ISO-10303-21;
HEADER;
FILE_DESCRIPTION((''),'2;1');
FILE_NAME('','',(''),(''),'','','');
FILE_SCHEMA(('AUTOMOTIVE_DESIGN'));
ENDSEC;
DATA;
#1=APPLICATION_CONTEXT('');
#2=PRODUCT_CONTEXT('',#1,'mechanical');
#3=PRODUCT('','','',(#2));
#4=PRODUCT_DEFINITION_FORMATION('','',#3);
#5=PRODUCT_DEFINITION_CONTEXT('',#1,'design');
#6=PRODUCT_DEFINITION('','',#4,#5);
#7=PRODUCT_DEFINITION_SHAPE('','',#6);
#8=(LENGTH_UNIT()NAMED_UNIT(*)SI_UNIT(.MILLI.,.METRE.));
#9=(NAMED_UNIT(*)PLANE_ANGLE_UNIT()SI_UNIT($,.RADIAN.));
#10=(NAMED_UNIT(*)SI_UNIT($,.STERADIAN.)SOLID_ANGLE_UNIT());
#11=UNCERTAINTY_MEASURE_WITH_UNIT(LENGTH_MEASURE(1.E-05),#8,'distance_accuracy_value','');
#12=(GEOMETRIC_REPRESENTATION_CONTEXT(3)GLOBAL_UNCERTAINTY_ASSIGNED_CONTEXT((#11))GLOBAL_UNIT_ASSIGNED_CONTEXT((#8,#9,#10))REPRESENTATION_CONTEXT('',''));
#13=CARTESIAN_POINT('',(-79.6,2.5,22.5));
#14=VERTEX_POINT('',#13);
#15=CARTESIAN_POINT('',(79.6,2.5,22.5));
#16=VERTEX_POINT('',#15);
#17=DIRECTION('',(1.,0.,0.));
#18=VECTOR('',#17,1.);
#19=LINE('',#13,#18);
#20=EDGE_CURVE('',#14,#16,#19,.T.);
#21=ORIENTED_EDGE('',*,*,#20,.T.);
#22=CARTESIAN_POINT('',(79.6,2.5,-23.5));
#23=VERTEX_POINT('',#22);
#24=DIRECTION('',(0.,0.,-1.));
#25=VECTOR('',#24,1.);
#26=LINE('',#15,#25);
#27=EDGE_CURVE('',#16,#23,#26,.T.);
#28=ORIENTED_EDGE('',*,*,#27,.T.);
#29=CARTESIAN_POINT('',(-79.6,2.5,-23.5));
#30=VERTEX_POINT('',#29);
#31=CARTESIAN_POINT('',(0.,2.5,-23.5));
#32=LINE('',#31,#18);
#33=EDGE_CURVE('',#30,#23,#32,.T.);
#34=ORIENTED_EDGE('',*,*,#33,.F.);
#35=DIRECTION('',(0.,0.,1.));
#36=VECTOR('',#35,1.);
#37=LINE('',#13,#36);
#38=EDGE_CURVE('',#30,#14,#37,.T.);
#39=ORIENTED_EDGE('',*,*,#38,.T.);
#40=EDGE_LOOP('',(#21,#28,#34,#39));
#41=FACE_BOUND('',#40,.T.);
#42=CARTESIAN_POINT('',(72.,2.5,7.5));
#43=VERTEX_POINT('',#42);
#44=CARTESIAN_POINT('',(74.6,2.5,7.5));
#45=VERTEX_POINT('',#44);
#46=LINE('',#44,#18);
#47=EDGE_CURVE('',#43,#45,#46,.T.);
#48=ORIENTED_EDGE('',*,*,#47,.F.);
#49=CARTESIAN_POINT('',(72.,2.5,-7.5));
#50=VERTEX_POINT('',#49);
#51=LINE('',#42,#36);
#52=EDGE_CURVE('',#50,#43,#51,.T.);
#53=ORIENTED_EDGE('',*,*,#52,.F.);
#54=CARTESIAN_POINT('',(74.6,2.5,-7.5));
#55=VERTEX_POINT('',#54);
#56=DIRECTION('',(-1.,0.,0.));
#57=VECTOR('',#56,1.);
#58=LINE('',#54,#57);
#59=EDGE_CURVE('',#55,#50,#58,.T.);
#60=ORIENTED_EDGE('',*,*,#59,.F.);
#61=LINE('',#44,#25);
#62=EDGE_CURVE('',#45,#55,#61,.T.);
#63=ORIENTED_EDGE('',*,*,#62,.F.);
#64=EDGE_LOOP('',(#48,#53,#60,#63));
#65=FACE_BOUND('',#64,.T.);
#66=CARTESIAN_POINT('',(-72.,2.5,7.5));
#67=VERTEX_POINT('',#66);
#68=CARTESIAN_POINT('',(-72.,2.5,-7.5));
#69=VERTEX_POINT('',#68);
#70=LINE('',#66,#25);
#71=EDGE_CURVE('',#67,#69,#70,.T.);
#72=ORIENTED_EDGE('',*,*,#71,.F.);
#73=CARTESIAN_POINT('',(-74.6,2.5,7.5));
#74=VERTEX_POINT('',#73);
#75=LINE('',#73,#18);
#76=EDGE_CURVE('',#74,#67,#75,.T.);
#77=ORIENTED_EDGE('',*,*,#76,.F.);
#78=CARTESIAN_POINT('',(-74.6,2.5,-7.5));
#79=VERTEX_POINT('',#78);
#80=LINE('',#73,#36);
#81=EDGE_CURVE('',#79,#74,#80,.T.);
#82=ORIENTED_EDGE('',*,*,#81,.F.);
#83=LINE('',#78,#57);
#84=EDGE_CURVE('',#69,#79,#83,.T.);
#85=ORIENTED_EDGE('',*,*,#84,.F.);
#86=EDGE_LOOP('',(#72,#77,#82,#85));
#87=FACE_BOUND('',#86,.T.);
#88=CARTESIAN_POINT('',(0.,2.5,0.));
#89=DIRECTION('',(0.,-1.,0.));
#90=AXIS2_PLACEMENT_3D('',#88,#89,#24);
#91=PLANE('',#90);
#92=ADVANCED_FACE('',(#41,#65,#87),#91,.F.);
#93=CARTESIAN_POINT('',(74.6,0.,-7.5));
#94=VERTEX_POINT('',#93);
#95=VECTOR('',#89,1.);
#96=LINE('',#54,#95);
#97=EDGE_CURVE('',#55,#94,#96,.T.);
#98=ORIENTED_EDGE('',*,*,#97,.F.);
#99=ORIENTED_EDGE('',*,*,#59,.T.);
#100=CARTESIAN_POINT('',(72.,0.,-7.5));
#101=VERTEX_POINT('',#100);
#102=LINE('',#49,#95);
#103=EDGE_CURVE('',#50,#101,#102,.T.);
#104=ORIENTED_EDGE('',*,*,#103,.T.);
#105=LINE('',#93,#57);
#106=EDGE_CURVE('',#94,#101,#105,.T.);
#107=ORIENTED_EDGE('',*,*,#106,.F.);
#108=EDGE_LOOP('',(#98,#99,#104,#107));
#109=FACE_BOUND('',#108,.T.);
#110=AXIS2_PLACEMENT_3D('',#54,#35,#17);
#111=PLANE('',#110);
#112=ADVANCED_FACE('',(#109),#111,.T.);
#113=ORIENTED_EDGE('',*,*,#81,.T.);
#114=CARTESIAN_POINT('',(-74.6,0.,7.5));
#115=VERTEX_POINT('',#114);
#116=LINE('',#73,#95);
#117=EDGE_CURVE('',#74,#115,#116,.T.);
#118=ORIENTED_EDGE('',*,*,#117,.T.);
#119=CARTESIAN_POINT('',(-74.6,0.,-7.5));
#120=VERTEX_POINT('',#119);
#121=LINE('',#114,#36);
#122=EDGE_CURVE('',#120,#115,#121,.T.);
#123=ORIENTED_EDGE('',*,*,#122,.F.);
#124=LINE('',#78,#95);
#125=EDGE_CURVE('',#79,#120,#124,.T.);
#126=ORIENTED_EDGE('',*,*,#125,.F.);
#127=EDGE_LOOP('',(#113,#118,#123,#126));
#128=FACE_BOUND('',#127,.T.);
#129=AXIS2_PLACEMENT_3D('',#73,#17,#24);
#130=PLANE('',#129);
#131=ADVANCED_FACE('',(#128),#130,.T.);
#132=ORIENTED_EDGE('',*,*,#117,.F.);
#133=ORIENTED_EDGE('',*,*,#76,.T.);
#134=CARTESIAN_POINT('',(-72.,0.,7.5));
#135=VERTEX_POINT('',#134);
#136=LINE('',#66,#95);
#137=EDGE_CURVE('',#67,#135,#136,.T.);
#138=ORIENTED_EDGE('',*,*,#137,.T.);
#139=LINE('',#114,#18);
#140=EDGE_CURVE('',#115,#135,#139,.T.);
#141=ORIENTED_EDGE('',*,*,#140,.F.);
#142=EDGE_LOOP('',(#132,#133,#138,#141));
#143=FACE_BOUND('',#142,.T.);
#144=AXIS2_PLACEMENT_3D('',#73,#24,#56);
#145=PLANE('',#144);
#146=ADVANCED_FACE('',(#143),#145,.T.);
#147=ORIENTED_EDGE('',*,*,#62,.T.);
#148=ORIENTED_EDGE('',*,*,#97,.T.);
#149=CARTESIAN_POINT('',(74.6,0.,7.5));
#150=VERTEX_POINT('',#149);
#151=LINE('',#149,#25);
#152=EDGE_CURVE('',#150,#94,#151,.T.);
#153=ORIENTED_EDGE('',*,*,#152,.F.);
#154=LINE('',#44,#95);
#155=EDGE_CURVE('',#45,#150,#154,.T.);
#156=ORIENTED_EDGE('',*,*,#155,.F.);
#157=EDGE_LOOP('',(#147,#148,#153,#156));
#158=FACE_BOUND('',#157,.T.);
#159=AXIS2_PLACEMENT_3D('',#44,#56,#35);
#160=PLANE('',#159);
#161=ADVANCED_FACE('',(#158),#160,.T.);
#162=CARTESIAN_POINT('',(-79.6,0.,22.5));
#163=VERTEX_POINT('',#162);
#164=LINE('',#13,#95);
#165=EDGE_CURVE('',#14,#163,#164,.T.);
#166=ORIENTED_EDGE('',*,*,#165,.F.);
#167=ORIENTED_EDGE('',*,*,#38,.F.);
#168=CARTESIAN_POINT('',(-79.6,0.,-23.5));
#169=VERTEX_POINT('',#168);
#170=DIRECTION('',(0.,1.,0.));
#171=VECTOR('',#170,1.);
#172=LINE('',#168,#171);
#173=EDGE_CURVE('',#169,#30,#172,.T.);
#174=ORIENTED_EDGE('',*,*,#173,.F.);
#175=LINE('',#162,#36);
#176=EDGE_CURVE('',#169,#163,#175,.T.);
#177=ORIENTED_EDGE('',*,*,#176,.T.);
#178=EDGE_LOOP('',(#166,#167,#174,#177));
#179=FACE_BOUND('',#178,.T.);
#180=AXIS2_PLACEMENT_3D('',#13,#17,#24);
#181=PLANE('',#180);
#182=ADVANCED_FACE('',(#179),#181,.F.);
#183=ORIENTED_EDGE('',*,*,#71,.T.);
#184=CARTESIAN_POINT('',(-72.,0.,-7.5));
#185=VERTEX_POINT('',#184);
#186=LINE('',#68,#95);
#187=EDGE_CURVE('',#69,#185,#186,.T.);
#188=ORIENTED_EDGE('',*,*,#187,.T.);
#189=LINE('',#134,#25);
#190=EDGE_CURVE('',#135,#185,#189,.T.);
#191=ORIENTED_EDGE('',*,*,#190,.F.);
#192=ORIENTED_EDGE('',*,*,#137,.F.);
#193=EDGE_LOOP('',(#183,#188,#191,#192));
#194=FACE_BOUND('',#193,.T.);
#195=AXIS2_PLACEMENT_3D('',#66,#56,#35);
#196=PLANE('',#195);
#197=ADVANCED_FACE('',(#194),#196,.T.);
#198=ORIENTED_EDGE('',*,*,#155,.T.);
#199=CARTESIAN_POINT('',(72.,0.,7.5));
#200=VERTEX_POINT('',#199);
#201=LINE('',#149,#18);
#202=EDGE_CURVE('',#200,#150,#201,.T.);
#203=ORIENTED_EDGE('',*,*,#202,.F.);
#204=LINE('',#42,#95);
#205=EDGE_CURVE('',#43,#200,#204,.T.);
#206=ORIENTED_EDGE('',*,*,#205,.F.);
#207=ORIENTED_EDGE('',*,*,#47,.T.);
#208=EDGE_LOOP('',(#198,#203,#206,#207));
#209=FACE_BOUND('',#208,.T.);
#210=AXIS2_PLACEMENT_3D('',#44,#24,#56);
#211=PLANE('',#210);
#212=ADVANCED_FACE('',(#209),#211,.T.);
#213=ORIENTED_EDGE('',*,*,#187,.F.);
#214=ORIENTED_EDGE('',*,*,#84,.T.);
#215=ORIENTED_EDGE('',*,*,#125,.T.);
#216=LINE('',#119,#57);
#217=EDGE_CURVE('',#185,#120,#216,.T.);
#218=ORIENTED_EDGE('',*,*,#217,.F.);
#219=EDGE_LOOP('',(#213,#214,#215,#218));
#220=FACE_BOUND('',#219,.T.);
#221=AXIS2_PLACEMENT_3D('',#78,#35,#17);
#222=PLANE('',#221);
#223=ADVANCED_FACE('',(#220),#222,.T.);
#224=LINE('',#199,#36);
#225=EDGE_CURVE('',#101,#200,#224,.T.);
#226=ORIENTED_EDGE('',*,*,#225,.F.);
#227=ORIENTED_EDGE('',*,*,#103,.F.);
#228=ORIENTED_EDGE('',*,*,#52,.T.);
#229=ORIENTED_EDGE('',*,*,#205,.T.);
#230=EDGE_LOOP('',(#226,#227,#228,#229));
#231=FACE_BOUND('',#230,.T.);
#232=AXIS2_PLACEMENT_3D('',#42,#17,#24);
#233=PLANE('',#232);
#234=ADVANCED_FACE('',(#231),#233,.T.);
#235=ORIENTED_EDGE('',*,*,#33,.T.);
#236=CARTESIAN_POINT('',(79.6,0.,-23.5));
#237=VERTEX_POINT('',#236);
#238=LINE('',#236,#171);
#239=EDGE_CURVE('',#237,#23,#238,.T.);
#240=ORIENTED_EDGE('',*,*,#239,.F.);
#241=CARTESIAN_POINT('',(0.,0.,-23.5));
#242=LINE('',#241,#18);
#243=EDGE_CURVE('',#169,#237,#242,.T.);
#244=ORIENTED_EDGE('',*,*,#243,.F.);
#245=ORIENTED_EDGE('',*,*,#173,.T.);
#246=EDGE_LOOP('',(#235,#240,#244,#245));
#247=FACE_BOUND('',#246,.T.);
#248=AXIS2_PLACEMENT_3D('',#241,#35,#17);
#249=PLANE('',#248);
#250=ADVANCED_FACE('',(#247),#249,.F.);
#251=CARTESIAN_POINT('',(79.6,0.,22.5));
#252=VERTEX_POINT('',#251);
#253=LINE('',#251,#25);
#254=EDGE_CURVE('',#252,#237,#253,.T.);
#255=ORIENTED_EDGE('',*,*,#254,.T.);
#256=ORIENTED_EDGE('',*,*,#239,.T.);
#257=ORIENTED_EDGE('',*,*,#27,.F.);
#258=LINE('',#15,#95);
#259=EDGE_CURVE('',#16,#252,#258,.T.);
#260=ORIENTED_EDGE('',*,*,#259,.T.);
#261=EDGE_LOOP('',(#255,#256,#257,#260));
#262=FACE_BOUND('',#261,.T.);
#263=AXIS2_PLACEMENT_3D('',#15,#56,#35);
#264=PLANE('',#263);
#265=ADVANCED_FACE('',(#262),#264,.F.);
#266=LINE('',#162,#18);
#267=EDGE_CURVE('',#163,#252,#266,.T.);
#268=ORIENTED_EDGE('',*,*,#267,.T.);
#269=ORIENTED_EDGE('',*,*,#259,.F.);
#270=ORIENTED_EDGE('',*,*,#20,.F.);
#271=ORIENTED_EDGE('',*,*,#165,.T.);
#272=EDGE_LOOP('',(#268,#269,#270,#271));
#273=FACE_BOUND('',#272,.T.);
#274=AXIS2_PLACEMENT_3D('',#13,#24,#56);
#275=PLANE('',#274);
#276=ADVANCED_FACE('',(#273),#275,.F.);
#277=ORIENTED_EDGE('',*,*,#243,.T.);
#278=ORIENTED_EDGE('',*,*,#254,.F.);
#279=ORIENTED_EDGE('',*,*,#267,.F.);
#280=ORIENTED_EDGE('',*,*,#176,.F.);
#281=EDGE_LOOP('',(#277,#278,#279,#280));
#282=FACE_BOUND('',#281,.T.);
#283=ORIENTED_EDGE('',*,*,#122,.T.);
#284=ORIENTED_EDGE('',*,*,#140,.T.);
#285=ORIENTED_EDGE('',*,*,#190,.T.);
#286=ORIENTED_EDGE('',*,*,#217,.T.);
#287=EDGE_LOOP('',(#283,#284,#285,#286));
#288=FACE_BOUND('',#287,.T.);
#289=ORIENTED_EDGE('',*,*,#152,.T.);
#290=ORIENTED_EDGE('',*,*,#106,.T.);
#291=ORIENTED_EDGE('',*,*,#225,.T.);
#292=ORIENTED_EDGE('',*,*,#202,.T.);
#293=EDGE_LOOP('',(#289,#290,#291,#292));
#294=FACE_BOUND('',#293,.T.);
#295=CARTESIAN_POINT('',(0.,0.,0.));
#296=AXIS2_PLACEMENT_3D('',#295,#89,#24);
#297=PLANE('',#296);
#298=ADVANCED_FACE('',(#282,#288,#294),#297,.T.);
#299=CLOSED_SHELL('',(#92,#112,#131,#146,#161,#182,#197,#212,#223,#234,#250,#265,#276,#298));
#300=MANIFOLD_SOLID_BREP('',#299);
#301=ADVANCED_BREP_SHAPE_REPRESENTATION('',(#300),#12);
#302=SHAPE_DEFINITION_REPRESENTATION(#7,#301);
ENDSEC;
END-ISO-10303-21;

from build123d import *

# Parameters (mm, degrees)
SKETCH1_W           = 159.2
SKETCH1_H           = 45
SKETCH1_W_2         = 2.6
SKETCH1_H_2         = 15
BOSS_EXTRUDE1_DEPTH = 2.5
SKETCH3_W           = 159.2
SKETCH3_H           = 10
BOSS_EXTRUDE3_DEPTH = 2.5
SKETCH4_W           = 159.2
SKETCH4_H           = 9
CUT_EXTRUDE1_DEPTH  = 3.5


with BuildPart() as part:
    # Sketch1 → Boss-Extrude1 (new body)
    with BuildSketch(Plane(origin=(0, 0, 0), x_dir=(1, 0, 0), z_dir=(0, 1, 0))):
        Rectangle(SKETCH1_W, SKETCH1_H)
        with Locations((-73.3, 0)):
            Rectangle(SKETCH1_W_2, SKETCH1_H_2, mode=Mode.SUBTRACT)
        with Locations((73.3, 0)):
            Rectangle(SKETCH1_W_2, SKETCH1_H_2, mode=Mode.SUBTRACT)
    extrude(amount=BOSS_EXTRUDE1_DEPTH)

    # Sketch3 → Boss-Extrude3 (add)
    with BuildSketch(Plane(origin=(0, 2.5, 0), x_dir=(1, 0, 0), z_dir=(0, 1, 0))):
        with Locations((0, 27.5)):
            Rectangle(SKETCH3_W, SKETCH3_H)
    extrude(amount=-BOSS_EXTRUDE3_DEPTH)

    # Sketch4 → Cut-Extrude1 (cut, through all)
    with BuildSketch(Plane(origin=(0, 2.5, 0), x_dir=(1, 0, 0), z_dir=(0, 1, 0))):
        with Locations((0, 28)):
            Rectangle(SKETCH4_W, SKETCH4_H)
    extrude(amount=-CUT_EXTRUDE1_DEPTH, mode=Mode.SUBTRACT)


solid = part.part
